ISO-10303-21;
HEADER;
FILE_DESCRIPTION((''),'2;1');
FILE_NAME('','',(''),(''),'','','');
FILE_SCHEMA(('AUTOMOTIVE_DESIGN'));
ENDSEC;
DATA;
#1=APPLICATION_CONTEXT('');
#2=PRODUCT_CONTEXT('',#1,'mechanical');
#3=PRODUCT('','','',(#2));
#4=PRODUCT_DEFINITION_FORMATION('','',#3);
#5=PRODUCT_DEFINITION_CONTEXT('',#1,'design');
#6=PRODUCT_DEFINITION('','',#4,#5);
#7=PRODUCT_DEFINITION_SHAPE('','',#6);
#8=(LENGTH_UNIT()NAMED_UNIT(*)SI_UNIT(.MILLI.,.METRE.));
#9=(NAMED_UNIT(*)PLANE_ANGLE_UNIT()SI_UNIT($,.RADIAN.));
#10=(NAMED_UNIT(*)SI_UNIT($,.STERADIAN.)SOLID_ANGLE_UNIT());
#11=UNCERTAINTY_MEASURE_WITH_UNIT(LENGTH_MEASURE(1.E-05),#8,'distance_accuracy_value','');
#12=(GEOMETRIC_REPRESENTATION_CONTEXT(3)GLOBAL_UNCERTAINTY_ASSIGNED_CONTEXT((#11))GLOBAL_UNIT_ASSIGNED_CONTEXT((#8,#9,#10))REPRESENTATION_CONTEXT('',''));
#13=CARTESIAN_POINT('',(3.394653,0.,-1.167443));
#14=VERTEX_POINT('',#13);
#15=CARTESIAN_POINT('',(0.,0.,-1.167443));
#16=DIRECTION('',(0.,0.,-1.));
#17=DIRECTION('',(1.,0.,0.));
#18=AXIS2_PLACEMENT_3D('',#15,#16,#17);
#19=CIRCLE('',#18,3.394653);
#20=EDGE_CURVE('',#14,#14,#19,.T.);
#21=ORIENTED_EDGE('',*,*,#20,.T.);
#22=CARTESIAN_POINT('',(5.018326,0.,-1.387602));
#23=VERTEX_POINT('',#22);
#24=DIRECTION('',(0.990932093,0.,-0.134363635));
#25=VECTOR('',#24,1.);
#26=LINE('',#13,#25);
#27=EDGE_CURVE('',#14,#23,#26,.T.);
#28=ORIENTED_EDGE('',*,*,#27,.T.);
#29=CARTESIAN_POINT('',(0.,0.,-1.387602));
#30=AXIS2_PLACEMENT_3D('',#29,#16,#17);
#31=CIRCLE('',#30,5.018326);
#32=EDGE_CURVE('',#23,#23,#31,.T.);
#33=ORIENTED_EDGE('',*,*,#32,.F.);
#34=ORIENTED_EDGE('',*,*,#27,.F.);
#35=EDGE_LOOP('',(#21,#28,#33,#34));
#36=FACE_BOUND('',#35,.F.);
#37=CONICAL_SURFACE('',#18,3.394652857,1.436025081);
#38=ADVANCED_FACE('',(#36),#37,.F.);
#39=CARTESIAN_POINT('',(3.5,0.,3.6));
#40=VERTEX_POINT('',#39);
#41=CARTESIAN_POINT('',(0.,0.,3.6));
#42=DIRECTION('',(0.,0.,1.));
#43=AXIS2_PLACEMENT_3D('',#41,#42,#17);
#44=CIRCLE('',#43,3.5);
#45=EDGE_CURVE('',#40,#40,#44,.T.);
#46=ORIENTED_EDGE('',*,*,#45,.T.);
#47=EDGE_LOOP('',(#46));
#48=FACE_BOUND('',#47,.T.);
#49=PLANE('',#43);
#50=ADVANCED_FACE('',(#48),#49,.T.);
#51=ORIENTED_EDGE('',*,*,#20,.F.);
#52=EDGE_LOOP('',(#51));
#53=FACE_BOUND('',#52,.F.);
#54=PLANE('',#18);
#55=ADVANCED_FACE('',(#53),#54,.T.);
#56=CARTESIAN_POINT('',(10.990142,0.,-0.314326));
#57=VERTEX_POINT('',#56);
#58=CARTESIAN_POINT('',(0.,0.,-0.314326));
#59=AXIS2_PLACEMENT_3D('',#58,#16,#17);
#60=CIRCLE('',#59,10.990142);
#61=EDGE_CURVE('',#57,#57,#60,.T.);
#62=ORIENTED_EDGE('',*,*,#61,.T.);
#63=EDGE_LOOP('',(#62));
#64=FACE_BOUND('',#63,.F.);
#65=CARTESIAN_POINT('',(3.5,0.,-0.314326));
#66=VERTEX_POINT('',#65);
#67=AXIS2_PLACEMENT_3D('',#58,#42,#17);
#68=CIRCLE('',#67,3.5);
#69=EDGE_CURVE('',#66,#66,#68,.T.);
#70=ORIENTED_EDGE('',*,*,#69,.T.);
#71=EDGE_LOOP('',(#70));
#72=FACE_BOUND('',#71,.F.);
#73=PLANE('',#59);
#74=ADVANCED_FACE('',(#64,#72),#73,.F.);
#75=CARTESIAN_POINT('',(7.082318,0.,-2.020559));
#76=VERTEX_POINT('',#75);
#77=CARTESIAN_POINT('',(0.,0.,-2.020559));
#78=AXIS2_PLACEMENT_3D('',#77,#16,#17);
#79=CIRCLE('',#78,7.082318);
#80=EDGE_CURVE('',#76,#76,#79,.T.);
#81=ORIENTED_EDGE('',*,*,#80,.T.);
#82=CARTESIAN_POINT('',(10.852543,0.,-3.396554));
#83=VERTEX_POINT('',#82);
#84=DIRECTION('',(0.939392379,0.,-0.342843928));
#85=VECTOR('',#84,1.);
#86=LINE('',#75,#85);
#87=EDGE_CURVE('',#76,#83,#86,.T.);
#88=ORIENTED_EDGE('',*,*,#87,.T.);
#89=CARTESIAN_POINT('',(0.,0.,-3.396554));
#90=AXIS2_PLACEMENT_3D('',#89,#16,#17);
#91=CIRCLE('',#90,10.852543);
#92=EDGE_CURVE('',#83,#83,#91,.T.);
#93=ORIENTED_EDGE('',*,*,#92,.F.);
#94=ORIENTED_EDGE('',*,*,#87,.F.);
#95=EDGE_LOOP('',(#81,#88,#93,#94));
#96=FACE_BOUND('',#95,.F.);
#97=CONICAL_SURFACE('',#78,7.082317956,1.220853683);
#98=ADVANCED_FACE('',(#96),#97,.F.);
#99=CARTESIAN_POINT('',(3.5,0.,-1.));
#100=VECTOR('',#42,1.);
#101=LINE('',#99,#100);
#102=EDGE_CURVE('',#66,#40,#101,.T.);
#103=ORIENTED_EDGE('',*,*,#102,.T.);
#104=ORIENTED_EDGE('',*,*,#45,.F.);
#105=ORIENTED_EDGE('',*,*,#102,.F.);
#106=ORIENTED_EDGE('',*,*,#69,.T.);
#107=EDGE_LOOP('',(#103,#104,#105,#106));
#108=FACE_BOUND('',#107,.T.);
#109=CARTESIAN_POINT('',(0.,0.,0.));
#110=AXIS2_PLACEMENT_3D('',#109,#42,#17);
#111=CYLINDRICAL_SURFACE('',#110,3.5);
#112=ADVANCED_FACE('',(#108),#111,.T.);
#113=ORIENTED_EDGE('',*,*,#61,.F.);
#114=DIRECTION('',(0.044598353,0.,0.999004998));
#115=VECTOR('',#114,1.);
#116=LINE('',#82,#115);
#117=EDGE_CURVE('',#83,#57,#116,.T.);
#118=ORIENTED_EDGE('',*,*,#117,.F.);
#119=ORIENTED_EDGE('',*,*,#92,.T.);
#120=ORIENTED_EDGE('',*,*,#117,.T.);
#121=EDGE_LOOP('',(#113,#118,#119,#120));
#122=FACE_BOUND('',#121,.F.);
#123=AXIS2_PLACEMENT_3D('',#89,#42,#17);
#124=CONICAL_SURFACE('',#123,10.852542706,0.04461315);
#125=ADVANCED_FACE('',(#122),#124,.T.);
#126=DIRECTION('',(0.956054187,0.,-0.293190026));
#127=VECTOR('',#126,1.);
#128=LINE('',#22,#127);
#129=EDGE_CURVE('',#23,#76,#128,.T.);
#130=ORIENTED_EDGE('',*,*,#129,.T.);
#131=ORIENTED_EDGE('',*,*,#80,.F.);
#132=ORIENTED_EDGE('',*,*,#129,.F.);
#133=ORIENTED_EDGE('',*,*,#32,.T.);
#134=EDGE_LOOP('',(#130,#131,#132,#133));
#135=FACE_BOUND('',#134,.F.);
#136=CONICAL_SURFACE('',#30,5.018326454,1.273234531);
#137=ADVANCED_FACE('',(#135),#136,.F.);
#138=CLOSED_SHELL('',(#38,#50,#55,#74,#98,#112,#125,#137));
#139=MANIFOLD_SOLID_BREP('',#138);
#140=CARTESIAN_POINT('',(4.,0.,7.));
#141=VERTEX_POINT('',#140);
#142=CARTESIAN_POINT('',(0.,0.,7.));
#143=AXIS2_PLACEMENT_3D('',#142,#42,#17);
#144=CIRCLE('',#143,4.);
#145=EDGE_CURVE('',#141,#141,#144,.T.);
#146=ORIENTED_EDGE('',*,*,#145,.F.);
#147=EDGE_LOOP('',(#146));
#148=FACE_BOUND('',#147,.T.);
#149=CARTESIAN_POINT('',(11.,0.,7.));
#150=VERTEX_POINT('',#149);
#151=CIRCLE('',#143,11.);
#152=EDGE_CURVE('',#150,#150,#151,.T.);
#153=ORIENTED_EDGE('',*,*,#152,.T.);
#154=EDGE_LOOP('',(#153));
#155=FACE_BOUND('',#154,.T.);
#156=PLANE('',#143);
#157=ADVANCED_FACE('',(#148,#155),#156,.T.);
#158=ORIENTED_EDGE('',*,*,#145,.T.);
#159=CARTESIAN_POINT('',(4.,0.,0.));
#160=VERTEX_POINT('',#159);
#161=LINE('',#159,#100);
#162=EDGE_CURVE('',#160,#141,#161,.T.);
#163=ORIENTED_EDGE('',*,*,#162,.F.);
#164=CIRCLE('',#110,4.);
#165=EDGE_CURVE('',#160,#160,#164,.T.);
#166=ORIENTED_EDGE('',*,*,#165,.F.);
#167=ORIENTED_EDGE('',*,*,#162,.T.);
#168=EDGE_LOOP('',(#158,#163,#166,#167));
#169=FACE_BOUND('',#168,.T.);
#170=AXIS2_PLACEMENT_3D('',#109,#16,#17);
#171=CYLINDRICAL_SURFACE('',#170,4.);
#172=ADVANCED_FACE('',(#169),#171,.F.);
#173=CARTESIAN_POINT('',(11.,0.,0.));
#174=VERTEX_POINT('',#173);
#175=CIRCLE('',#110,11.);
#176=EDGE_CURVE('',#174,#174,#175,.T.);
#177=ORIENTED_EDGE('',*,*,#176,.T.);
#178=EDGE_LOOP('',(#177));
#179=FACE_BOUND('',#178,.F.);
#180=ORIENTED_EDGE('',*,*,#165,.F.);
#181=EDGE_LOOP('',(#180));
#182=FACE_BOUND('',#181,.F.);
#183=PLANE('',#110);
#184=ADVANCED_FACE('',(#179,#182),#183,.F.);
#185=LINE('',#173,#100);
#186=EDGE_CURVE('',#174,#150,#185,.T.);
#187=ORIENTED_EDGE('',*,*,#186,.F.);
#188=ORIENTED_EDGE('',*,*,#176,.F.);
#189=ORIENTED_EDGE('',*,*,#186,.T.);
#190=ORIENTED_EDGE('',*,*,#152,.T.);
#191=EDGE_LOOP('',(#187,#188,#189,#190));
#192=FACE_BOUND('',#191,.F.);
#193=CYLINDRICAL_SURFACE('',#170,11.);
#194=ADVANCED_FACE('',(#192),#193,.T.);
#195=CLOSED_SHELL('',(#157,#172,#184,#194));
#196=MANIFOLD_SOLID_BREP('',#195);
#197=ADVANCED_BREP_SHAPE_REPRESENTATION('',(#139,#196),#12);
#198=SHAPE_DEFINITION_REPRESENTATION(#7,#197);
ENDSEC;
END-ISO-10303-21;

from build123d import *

# Parameters (mm, degrees)
F0_R      = 11
F0_R_2    = 4
F1_DEPTH  = 7
F2_R      = 40
F2_R_2    = 11.5
F3_DEPTH  = 7
F4_R      = 11.5
F5_DEPTH  = 25
F7_R      = 3.5
F8_DEPTH  = 3.6
F11_DEPTH = 4.81
F13_DEPTH = 1


with BuildPart() as f1:
    # F0 (on Top) → F1 (new body)
    with BuildSketch(Plane.XY):
        Circle(F0_R)
        Circle(F0_R_2, mode=Mode.SUBTRACT)
    extrude(amount=F1_DEPTH)


with BuildPart() as f3:
    # F2 (on Top) → F3 (new body)
    with BuildSketch(Plane.XY):
        Circle(F2_R)
        Circle(F2_R_2, mode=Mode.SUBTRACT)
    extrude(amount=F3_DEPTH)

    # F4 (on face) → F5 (cut)
    with BuildSketch(Plane.XY.offset(7)):
        with Locations((0, 26.6484025971)):
            Circle(F4_R)
    extrude(amount=-F5_DEPTH, mode=Mode.SUBTRACT)


with BuildPart() as f8:
    # F7 (on Top) → F8 (new body)
    with BuildSketch(Plane.XY):
        Circle(F7_R)
    extrude(amount=F8_DEPTH)


with BuildPart() as f10:
    # F9 (on Front) → F10 (revolve)
    with BuildSketch(Plane.XZ):
        Polygon((10.9253358096, -2.6480713859), (10.9253358096, -0.2235482534), (0, 0), (0, -1.2938332511), (3.6954516545, -1.2719907099), (7.2557874955, -1.5996290604), (9.0250344947, -1.8180545885), (10.1826898754, -2.276748186), align=None)
    revolve(axis=Axis((0, 0, -0.6469166256), (0, 0, -1)))


with BuildPart() as f11:
    # F11 (new): a face of the model
    f11_faces = [f8.part.faces().sort_by_distance(p)[0] for p in [
        (0, 0, 3.6),
    ]]
    extrude(f11_faces, amount=-F11_DEPTH)


with BuildPart() as f8_1:
    add(f8.part)

    # F13 (add): a face of the model
    f13_faces = [f8_1.faces().sort_by_distance(p)[0] for p in [
        (0, 0, 0),
    ]]
    extrude(f13_faces, amount=F13_DEPTH)

    # F14 (on Front) → F15 (revolve)
    with BuildSketch(Plane.XZ):
        Polygon((10.8525427058, -3.3965536859), (10.9901418909, -0.3143260838), (0, -0.3143260838), (0, -1.1674426496), (3.3946528565, -1.1674426496), (5.0183264539, -1.3876017183), (7.0823179558, -2.0205592737), align=None)
    revolve(axis=Axis((0, 0, -0.7408843667), (0, 0, -1)))


solid = Compound([f1.part, f8_1.part])
